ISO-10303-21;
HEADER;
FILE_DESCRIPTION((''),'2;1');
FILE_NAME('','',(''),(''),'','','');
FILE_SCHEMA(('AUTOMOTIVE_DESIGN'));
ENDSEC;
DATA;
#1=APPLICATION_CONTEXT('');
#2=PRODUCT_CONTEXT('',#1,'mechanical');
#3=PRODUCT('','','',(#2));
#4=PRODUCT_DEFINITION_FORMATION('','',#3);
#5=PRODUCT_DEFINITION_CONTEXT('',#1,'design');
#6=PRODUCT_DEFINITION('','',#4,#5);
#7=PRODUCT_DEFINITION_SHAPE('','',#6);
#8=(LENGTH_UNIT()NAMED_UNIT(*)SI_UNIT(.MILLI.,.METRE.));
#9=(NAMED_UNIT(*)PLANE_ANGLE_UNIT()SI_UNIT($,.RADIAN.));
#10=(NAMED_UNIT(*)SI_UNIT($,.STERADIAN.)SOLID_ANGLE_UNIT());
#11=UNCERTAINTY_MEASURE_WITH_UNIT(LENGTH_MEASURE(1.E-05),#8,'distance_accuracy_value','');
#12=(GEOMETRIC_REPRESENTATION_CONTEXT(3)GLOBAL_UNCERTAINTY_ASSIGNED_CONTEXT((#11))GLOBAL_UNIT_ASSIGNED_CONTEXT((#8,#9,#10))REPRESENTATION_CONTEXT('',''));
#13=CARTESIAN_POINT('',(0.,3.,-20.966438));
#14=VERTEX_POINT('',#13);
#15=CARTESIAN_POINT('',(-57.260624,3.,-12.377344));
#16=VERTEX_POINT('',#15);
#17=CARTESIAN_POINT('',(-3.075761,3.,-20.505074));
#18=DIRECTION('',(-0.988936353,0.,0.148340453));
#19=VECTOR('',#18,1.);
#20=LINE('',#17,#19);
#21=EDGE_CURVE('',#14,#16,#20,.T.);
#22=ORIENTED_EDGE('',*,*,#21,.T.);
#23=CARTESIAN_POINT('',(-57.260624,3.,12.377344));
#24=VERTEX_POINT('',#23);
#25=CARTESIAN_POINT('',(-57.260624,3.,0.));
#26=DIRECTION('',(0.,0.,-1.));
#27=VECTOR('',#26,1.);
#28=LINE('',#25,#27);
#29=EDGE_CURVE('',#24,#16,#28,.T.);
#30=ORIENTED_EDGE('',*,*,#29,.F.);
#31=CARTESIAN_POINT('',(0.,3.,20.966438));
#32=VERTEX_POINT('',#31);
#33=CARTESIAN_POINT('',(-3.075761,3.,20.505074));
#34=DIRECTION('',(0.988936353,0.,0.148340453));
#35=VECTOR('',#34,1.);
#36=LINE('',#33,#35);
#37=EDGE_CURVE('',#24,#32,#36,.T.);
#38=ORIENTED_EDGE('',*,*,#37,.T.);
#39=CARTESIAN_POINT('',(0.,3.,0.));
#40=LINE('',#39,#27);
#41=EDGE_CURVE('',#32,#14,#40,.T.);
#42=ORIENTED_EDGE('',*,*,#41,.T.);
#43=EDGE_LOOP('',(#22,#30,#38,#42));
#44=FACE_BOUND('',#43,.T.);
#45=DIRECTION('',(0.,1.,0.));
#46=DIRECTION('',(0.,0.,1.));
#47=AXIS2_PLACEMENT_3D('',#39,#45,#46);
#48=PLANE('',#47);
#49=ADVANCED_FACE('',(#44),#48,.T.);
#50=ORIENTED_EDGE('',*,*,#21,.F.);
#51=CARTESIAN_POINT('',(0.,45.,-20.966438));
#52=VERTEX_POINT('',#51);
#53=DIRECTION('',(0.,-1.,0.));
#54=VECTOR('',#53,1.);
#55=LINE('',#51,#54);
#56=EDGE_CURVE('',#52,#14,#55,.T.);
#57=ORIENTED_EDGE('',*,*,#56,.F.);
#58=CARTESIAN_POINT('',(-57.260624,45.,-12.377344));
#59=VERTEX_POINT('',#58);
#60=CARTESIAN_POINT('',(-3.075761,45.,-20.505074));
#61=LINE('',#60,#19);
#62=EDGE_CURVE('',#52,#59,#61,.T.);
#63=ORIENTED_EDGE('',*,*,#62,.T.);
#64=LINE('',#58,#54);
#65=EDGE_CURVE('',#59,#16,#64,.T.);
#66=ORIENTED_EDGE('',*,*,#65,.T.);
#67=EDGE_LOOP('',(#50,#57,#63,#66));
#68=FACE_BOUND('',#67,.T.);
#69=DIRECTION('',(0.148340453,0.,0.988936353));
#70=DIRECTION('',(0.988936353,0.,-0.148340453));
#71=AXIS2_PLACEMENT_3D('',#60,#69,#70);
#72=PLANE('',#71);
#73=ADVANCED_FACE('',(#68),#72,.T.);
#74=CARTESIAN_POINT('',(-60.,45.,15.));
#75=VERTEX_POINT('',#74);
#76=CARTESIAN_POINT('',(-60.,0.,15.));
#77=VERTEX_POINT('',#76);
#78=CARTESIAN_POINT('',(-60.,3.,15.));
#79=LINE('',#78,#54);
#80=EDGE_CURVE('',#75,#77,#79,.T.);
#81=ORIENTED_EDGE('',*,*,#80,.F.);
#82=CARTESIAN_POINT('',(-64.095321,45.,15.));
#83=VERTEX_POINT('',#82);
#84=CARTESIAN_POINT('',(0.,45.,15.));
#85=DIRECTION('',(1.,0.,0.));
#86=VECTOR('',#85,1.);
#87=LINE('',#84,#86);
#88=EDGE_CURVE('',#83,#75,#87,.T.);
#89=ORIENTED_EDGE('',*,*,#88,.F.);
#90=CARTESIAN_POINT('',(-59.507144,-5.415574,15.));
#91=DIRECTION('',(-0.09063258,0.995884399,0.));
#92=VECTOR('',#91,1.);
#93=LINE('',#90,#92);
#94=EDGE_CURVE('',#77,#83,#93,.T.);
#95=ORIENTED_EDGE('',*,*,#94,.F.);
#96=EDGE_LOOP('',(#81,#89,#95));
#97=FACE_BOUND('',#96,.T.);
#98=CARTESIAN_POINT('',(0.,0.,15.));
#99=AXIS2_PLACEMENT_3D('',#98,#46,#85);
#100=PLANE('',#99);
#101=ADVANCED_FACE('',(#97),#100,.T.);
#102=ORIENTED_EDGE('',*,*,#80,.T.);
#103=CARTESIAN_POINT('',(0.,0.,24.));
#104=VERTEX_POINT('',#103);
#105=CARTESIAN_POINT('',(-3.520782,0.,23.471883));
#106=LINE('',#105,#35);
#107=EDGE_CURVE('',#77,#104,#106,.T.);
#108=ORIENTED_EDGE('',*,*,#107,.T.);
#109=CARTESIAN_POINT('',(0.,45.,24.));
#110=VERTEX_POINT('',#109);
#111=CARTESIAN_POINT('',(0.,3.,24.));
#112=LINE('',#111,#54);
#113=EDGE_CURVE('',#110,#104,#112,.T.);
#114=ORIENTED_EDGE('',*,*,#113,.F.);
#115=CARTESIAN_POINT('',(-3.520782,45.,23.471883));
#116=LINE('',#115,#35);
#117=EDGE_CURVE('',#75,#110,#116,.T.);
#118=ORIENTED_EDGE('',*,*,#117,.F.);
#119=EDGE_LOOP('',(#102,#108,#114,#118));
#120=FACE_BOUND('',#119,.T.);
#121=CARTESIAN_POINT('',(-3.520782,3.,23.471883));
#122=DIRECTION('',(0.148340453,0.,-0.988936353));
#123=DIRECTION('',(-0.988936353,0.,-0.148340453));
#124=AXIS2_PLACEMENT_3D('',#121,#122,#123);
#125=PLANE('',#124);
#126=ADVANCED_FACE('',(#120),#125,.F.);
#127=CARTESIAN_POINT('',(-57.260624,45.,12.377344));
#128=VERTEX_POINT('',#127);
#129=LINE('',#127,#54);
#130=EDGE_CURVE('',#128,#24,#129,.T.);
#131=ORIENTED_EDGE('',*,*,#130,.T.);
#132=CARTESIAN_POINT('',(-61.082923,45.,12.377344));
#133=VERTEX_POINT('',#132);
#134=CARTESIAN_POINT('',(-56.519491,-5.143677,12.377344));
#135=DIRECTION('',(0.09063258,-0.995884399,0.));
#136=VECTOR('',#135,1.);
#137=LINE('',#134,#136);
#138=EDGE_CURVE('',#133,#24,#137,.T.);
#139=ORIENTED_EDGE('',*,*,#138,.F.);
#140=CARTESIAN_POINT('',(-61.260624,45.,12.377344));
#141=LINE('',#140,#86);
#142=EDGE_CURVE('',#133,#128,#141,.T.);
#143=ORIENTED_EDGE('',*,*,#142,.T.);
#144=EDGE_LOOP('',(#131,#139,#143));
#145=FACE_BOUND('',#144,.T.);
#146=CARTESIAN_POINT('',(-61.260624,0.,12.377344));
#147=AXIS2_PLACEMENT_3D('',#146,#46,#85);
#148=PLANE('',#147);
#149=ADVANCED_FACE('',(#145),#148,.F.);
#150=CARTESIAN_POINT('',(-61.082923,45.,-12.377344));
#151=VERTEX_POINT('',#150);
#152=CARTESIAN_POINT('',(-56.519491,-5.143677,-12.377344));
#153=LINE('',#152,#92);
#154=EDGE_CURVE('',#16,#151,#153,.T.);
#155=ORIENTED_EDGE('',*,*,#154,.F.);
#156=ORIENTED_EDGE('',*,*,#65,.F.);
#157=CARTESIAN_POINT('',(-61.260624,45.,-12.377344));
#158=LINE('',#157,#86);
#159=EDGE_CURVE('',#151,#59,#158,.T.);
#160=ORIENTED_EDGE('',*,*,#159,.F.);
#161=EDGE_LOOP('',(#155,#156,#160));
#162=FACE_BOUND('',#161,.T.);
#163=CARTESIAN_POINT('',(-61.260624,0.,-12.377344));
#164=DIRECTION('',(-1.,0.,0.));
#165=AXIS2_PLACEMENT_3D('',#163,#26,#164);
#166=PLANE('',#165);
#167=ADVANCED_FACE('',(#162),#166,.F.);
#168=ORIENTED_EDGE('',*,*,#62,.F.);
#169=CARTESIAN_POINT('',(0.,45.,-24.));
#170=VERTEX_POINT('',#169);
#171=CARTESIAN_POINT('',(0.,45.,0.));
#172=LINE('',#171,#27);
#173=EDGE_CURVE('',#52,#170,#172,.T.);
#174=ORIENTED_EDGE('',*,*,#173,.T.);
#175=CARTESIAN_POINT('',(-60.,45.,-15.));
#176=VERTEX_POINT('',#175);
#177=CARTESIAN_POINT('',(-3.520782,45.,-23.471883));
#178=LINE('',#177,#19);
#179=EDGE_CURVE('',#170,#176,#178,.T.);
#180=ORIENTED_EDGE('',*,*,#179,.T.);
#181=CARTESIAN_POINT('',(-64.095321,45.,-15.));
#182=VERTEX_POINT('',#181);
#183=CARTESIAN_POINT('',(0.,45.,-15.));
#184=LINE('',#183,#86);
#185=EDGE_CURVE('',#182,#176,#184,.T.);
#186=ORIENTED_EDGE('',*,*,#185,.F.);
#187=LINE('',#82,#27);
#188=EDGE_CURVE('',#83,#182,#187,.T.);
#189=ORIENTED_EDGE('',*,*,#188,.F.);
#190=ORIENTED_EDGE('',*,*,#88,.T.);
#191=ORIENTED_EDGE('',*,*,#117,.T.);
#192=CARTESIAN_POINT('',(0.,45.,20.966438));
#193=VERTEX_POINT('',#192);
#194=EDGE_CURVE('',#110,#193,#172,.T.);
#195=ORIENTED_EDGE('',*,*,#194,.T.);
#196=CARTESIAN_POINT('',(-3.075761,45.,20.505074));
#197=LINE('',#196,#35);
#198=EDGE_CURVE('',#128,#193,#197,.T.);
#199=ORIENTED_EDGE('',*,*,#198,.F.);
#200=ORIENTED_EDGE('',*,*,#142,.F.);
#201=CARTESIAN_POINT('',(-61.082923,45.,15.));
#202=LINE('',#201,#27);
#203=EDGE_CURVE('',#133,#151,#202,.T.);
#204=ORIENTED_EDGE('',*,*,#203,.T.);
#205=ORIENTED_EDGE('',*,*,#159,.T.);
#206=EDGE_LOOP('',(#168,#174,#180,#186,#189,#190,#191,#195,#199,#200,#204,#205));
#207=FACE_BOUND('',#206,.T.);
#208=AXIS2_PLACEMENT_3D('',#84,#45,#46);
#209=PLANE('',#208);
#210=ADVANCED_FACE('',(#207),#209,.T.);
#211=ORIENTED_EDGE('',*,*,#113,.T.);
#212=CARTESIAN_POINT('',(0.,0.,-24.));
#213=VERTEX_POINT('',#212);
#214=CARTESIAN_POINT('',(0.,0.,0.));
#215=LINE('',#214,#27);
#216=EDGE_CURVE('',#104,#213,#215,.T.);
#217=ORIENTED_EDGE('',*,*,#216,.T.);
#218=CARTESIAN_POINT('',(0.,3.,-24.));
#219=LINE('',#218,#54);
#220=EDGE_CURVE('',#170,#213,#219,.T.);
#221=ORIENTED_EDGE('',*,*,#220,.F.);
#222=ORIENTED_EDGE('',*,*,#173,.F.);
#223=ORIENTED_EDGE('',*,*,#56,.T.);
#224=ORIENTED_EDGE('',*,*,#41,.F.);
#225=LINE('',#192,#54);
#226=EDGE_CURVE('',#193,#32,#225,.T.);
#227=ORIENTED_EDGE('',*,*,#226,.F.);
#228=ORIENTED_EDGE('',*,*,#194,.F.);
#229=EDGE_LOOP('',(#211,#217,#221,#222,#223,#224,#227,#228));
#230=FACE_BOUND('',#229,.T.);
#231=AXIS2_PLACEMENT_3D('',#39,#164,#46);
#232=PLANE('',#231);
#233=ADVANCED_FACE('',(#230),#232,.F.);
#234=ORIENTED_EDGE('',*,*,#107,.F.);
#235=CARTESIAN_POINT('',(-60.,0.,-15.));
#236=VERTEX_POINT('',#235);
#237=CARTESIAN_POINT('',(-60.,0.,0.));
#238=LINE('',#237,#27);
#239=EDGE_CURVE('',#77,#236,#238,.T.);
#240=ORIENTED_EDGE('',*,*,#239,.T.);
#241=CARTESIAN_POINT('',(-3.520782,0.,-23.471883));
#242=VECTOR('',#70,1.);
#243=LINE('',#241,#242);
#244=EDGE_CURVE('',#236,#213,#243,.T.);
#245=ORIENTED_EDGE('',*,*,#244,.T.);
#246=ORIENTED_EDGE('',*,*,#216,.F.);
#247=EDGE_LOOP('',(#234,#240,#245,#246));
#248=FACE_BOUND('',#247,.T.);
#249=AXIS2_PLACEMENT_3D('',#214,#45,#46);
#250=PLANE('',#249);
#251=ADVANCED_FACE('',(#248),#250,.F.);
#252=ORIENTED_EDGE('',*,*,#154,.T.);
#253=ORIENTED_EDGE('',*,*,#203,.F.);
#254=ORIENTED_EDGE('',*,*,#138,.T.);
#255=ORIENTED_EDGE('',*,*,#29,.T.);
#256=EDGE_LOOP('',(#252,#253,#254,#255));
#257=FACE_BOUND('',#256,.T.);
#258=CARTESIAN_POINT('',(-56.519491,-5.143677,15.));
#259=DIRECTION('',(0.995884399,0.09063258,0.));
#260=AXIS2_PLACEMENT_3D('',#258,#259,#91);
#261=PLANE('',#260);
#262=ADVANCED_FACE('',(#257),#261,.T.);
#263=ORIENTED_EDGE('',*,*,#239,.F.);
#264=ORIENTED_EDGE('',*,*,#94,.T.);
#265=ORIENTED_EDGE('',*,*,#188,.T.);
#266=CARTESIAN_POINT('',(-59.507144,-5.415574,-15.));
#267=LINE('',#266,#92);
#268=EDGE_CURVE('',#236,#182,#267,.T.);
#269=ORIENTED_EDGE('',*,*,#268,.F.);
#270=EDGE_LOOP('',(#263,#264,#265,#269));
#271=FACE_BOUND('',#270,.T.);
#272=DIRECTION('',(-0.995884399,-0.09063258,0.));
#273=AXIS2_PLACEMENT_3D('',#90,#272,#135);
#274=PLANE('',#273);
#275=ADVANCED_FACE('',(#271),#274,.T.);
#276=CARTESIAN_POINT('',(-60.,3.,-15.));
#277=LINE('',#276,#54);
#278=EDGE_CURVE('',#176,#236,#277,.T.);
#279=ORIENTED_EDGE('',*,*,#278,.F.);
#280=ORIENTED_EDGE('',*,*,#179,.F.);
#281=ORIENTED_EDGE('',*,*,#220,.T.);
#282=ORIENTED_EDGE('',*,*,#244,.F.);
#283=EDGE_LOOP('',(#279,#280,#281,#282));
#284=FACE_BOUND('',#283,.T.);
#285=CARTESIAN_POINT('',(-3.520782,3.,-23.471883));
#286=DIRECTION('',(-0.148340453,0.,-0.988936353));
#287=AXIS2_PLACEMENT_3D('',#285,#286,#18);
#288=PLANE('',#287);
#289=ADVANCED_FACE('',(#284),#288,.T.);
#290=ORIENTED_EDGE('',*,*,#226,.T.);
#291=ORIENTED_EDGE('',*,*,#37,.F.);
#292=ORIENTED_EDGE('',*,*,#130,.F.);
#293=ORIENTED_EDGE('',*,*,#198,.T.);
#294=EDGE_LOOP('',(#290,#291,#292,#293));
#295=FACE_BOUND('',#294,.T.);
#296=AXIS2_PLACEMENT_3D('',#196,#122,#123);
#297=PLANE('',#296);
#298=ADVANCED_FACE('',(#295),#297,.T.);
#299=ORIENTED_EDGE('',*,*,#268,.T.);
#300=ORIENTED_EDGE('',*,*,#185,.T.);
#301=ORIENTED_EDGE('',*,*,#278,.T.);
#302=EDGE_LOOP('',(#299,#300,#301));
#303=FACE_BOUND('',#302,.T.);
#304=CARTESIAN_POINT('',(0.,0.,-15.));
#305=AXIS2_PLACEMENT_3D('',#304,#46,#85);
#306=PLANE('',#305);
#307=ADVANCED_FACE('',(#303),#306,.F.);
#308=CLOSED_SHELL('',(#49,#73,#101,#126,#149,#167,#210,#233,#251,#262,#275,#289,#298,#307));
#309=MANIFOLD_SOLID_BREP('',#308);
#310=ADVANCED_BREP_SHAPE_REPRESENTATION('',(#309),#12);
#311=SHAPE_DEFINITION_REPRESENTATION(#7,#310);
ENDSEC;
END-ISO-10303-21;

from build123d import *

# Parameters (mm, degrees)
BOSS_EXTRUDE1_DEPTH = 3
BOSS_EXTRUDE2_DEPTH = 15
BOSS_EXTRUDE3_DEPTH = 42
SKETCH6_W           = 2.622655796
SKETCH6_H           = 42
SKETCH6_H_2         = 45
BOSS_EXTRUDE4_DEPTH = 4
CUT_EXTRUDE1_DEPTH  = 88.488342941


with BuildPart() as part:
    # Sketch1 → Boss-Extrude1 (new body)
    with BuildSketch(Plane(origin=(0, 0, 0), x_dir=(1, 0, 0), z_dir=(0, 1, 0))):
        Polygon((-60, 0), (0, 0), (0, 24), (-60, 15), align=None)
        Polygon((-60, -15), (0, -24), (0, 0), (-60, 0), align=None)
    extrude(amount=BOSS_EXTRUDE1_DEPTH)

    # Sketch3 → Boss-Extrude2 (add, symmetric)
    with BuildSketch(Plane.XY):
        Polygon((-64.095320817, 45), (-61.082922988, 45), (-56.987602171, 0), (-60, 0), align=None)
    extrude(amount=BOSS_EXTRUDE2_DEPTH, both=True)

    # Sketch4 → Boss-Extrude3 (add)
    with BuildSketch(Plane(origin=(0, 3, 0), x_dir=(1, 0, 0), z_dir=(0, 1, 0))):
        Polygon((-57.260623559, 12.377344204), (0, 20.966437738), (0, 24), (-60, 15), (-57.260623559, 15), align=None)
        Polygon((0, -24), (0, -20.966437738), (-57.260623559, -12.377344204), (-57.260623559, -15), (-60, -15), align=None)
    extrude(amount=BOSS_EXTRUDE3_DEPTH)

    # Sketch6 → Boss-Extrude4 (add)
    with BuildSketch(Plane.ZY.offset(57.260623559)):
        with Locations((-13.688672102, 24)):
            Rectangle(SKETCH6_W, SKETCH6_H)
        with Locations((13.688672102, 22.5)):
            Rectangle(SKETCH6_W, SKETCH6_H_2)
    extrude(amount=BOSS_EXTRUDE4_DEPTH)

    # Sketch7 → Cut-Extrude1 (cut, through all)
    with BuildSketch(Plane.XY.offset(15)):
        Polygon((-61.260623559, 13.851920935), (-60, 0), (-61.260623559, 0), align=None)
    extrude(amount=-CUT_EXTRUDE1_DEPTH, mode=Mode.SUBTRACT)


solid = part.part
